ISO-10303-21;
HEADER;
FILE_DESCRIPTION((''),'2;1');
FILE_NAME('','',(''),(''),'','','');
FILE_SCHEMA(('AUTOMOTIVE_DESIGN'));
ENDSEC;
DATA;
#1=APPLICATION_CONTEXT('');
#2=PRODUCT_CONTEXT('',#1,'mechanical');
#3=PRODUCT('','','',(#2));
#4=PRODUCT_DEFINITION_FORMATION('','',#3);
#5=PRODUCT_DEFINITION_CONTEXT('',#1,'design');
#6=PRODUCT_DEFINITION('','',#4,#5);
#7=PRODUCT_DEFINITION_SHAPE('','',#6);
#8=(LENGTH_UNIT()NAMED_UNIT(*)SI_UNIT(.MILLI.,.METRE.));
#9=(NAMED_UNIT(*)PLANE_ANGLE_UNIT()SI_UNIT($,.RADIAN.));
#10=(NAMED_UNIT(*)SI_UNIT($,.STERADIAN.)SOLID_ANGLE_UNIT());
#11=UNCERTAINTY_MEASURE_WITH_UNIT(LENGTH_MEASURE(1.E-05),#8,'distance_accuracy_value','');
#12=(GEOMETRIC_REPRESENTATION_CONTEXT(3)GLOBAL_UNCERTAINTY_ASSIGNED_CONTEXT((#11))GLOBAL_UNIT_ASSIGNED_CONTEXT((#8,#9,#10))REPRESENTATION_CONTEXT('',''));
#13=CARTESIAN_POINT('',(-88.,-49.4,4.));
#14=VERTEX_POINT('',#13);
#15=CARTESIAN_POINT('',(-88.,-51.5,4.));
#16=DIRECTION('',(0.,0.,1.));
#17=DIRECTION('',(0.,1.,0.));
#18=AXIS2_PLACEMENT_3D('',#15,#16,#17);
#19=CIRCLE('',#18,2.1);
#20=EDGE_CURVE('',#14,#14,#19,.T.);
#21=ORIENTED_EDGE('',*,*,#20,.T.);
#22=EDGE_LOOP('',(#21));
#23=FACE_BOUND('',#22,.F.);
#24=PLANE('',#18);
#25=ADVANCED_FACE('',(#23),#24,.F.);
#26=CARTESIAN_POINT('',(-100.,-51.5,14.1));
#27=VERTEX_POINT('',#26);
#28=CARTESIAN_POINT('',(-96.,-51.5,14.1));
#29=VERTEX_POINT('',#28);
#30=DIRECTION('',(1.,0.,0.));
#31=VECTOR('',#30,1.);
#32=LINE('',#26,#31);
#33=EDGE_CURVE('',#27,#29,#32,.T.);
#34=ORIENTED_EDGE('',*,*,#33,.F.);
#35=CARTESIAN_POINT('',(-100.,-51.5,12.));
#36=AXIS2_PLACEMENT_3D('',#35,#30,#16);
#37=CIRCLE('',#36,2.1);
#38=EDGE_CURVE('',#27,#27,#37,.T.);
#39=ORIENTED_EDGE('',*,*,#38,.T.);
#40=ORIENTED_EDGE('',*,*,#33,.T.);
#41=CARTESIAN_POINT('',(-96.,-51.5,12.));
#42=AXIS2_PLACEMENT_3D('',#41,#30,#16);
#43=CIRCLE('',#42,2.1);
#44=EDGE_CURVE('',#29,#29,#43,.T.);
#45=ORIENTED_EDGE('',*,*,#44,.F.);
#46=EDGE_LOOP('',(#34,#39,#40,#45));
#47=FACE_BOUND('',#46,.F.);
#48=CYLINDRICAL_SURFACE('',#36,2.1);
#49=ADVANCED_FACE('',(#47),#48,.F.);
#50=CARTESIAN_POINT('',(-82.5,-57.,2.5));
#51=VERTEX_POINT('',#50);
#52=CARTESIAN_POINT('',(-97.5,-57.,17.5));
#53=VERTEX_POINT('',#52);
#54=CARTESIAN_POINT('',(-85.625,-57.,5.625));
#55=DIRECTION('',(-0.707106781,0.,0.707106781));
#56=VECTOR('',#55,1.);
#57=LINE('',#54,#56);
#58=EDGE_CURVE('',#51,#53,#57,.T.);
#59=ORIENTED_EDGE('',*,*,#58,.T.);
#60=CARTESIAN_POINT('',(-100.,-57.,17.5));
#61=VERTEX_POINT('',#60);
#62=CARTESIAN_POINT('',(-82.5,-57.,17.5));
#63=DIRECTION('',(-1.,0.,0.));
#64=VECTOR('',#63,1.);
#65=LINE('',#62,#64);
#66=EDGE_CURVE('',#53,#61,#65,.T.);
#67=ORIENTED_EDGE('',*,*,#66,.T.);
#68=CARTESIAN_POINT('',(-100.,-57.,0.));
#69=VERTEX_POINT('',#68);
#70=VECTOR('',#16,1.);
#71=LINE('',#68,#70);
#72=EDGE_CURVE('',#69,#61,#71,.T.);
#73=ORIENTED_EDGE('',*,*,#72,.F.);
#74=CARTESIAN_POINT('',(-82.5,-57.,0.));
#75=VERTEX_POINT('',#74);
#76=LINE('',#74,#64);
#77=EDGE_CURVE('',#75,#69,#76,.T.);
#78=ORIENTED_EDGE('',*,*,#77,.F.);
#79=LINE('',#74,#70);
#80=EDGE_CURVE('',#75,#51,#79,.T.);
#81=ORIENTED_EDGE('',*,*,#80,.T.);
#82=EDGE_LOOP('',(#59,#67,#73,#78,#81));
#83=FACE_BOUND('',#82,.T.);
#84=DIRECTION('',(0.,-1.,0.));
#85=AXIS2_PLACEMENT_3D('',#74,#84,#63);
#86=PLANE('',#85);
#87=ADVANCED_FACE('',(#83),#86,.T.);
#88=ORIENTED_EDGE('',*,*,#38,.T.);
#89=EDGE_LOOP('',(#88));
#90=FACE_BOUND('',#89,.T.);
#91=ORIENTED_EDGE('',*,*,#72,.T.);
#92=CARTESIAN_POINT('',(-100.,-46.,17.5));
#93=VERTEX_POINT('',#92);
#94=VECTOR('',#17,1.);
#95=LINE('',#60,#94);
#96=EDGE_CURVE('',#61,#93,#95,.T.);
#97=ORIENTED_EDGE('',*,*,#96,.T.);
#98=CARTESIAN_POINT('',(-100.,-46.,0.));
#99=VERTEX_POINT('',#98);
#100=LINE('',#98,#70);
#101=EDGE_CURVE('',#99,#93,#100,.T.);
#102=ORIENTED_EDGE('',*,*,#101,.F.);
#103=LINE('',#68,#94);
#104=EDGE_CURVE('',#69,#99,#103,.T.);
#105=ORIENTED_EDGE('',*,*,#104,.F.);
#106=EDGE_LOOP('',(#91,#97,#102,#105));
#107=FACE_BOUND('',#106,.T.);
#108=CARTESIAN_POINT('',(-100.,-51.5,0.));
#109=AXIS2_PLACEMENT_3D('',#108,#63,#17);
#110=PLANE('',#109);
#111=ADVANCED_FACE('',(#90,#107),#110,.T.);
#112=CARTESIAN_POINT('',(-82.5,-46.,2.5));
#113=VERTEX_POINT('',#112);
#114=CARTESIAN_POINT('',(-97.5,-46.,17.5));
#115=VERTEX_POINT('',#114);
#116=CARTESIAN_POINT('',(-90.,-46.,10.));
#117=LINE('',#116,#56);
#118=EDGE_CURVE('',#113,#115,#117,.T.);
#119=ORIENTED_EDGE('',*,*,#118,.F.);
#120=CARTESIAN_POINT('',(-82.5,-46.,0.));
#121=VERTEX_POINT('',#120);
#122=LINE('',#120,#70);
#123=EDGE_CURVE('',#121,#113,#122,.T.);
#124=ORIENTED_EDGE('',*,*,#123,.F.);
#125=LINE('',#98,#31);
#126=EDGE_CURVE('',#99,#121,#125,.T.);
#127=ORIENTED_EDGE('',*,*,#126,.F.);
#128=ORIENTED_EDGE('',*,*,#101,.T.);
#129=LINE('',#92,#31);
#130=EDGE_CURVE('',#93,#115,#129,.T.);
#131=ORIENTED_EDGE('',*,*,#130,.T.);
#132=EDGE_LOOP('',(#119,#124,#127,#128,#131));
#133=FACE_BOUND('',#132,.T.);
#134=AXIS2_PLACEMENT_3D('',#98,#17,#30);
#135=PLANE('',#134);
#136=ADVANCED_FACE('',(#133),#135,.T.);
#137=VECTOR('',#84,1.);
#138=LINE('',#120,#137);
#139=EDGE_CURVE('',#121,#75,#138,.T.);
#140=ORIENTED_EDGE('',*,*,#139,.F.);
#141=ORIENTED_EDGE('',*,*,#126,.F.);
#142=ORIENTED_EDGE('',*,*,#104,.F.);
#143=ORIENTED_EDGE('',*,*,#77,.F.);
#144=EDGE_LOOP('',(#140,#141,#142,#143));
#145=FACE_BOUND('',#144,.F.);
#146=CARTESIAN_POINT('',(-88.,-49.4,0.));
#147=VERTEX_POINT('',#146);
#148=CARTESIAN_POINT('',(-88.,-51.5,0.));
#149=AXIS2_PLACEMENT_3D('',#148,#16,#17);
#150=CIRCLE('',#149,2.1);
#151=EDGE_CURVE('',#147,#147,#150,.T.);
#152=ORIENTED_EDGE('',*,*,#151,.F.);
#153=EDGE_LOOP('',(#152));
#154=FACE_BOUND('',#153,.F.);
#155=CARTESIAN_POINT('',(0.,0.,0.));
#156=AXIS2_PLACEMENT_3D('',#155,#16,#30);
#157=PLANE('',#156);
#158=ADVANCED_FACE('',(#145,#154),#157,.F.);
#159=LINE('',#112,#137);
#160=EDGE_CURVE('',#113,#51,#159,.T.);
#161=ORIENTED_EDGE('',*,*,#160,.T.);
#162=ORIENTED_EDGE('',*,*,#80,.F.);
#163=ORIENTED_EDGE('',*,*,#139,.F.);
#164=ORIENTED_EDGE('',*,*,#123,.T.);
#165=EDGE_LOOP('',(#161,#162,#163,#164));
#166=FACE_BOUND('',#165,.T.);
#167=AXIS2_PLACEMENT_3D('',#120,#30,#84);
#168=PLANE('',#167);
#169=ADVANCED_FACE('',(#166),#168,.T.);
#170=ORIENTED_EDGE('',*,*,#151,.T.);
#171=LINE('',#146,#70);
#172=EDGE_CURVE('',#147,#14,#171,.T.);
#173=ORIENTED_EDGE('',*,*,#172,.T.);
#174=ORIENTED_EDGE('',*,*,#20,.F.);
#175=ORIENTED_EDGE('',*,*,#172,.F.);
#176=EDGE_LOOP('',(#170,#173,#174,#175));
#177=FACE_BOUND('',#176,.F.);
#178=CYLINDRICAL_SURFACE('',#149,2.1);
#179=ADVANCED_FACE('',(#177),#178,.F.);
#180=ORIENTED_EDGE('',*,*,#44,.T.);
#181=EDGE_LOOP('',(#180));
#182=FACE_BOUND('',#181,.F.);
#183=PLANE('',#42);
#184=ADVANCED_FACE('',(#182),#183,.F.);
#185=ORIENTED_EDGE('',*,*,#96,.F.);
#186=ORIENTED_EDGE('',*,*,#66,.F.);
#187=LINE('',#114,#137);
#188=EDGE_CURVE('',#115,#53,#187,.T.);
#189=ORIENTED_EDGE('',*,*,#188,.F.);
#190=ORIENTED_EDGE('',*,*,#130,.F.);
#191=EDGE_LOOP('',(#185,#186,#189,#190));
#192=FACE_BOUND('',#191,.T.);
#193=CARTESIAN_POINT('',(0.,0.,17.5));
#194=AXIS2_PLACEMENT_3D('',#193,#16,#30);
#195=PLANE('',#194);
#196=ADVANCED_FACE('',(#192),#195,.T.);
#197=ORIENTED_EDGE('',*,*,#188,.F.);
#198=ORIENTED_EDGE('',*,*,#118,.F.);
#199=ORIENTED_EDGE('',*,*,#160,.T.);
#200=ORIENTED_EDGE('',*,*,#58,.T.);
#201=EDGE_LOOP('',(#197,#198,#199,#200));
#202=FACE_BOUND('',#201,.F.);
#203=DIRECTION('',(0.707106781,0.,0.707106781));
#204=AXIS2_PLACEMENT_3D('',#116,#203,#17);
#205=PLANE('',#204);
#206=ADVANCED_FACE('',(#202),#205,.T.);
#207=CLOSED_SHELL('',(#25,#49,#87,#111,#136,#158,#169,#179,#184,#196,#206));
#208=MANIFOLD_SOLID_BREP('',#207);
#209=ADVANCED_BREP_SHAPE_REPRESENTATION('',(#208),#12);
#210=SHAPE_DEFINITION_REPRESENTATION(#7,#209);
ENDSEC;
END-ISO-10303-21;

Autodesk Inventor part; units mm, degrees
ref_plane "YZ Plane" through (0, 0, 0) normal (1, 0, 0) x (0, 1, 0)
ref_plane "XZ Plane" through (0, 0, 0) normal (0, 1, 0) x (-1, 0, 0)
ref_plane "XY Plane" through (0, 0, 0) normal (0, 0, 1) x (1, 0, 0)
sketch "Boceto1" plane through (0, 0, 0) normal (0, 0, 1) x (1, 0, 0)
  circle A0 centre (88, 48.5) radius 1.5 projected
  circle A1 centre (88, -51.5) radius 1.5 projected
  circle A2 centre (-50, 86.5) radius 1.5 projected
  circle A3 centre (50, 86.5) radius 1.5 projected
  circle A4 centre (-88, -51.5) radius 1.5 projected
  circle A5 centre (-88, 48.5) radius 1.5 projected
  circle A6 centre (50, -89.5) radius 1.5 projected
  circle A7 centre (-50, -89.5) radius 1.5 projected
  line L0 (-103, -104.5) -> (-103, 101.5) projected
  line L1 (103, -104.5) -> (-103, -104.5) projected
  line L2 (103, 101.5) -> (103, -104.5) projected
  line L3 (-100, -104.5) -> (-100, 89.3) projected
  line L4 (-88, -51.5) -> (-100, -51.5)
  line L5 (-88, -51.5) -> (-82.5, -51.5)
  line L6 (-82.5, -51.5) -> (-82.5, -57)
  line L7 (-82.5, -57) -> (-100, -57)
  line L8 (-100, -57) -> (-100, -46)
  line L9 (-100, -46) -> (-82.5, -46)
  line L10 (-82.5, -46) -> (-82.5, -57)
  circle A8 centre (-88, -51.5) radius 2.1
  line L11 (-103, 101.5) -> (103, 101.5) projected
  point P0 (0, 0)
  dimension "d0" = 5.5
  dimension "d1" = 5.5
  dimension "d2" = 11
  dimension "d14" = 4.2
extrude "Extrusión1" add sketch "Boceto1" along normal blind 17.5 contours L5 L4 A4 | L5 A8 L4 A4 | A4 L4 L5 | A4 L4 A8 L5 | A8 L4 L3 L9 L10 L5 | L5 L6 L7 L3 L4 A8
sketch "Boceto2" plane through (-100, -57, 0) normal (-1, 0, 0) x (0, 0, 1)
  line L0 (0, 0) -> (17.5, 0) projected
  line L1 (0, 11) -> (0, 0) projected
  point P0 (0, 57)
  point P1 (12, 5.5)
  dimension "d5" = 5.5
  dimension "d6" = 12
hole "Agujero1" at (-100, -51.5, 12) direction (1, 0, 0) diameter 4.2 depth 4
sketch "Boceto3" plane through (0, 0, 0) normal (0, 0, -1) x (-1, 0, 0)
  line L0 (100, -46) -> (100, -57) projected
  line L1 (82.5, -46) -> (100, -46) projected
  point P0 (0, 0)
  point P1 (88, -51.5)
  dimension "d15" = 12
  dimension "d16" = 5.5
hole "Agujero2" at (-88, -51.5, 0) direction (0, 0, 1) diameter 4.2 depth 4
chamfer "Chaflán1" distance 15 angle 45 1 edges at (-82.5, -51.5, 17.5)
properties part number "Union_Inferior"
